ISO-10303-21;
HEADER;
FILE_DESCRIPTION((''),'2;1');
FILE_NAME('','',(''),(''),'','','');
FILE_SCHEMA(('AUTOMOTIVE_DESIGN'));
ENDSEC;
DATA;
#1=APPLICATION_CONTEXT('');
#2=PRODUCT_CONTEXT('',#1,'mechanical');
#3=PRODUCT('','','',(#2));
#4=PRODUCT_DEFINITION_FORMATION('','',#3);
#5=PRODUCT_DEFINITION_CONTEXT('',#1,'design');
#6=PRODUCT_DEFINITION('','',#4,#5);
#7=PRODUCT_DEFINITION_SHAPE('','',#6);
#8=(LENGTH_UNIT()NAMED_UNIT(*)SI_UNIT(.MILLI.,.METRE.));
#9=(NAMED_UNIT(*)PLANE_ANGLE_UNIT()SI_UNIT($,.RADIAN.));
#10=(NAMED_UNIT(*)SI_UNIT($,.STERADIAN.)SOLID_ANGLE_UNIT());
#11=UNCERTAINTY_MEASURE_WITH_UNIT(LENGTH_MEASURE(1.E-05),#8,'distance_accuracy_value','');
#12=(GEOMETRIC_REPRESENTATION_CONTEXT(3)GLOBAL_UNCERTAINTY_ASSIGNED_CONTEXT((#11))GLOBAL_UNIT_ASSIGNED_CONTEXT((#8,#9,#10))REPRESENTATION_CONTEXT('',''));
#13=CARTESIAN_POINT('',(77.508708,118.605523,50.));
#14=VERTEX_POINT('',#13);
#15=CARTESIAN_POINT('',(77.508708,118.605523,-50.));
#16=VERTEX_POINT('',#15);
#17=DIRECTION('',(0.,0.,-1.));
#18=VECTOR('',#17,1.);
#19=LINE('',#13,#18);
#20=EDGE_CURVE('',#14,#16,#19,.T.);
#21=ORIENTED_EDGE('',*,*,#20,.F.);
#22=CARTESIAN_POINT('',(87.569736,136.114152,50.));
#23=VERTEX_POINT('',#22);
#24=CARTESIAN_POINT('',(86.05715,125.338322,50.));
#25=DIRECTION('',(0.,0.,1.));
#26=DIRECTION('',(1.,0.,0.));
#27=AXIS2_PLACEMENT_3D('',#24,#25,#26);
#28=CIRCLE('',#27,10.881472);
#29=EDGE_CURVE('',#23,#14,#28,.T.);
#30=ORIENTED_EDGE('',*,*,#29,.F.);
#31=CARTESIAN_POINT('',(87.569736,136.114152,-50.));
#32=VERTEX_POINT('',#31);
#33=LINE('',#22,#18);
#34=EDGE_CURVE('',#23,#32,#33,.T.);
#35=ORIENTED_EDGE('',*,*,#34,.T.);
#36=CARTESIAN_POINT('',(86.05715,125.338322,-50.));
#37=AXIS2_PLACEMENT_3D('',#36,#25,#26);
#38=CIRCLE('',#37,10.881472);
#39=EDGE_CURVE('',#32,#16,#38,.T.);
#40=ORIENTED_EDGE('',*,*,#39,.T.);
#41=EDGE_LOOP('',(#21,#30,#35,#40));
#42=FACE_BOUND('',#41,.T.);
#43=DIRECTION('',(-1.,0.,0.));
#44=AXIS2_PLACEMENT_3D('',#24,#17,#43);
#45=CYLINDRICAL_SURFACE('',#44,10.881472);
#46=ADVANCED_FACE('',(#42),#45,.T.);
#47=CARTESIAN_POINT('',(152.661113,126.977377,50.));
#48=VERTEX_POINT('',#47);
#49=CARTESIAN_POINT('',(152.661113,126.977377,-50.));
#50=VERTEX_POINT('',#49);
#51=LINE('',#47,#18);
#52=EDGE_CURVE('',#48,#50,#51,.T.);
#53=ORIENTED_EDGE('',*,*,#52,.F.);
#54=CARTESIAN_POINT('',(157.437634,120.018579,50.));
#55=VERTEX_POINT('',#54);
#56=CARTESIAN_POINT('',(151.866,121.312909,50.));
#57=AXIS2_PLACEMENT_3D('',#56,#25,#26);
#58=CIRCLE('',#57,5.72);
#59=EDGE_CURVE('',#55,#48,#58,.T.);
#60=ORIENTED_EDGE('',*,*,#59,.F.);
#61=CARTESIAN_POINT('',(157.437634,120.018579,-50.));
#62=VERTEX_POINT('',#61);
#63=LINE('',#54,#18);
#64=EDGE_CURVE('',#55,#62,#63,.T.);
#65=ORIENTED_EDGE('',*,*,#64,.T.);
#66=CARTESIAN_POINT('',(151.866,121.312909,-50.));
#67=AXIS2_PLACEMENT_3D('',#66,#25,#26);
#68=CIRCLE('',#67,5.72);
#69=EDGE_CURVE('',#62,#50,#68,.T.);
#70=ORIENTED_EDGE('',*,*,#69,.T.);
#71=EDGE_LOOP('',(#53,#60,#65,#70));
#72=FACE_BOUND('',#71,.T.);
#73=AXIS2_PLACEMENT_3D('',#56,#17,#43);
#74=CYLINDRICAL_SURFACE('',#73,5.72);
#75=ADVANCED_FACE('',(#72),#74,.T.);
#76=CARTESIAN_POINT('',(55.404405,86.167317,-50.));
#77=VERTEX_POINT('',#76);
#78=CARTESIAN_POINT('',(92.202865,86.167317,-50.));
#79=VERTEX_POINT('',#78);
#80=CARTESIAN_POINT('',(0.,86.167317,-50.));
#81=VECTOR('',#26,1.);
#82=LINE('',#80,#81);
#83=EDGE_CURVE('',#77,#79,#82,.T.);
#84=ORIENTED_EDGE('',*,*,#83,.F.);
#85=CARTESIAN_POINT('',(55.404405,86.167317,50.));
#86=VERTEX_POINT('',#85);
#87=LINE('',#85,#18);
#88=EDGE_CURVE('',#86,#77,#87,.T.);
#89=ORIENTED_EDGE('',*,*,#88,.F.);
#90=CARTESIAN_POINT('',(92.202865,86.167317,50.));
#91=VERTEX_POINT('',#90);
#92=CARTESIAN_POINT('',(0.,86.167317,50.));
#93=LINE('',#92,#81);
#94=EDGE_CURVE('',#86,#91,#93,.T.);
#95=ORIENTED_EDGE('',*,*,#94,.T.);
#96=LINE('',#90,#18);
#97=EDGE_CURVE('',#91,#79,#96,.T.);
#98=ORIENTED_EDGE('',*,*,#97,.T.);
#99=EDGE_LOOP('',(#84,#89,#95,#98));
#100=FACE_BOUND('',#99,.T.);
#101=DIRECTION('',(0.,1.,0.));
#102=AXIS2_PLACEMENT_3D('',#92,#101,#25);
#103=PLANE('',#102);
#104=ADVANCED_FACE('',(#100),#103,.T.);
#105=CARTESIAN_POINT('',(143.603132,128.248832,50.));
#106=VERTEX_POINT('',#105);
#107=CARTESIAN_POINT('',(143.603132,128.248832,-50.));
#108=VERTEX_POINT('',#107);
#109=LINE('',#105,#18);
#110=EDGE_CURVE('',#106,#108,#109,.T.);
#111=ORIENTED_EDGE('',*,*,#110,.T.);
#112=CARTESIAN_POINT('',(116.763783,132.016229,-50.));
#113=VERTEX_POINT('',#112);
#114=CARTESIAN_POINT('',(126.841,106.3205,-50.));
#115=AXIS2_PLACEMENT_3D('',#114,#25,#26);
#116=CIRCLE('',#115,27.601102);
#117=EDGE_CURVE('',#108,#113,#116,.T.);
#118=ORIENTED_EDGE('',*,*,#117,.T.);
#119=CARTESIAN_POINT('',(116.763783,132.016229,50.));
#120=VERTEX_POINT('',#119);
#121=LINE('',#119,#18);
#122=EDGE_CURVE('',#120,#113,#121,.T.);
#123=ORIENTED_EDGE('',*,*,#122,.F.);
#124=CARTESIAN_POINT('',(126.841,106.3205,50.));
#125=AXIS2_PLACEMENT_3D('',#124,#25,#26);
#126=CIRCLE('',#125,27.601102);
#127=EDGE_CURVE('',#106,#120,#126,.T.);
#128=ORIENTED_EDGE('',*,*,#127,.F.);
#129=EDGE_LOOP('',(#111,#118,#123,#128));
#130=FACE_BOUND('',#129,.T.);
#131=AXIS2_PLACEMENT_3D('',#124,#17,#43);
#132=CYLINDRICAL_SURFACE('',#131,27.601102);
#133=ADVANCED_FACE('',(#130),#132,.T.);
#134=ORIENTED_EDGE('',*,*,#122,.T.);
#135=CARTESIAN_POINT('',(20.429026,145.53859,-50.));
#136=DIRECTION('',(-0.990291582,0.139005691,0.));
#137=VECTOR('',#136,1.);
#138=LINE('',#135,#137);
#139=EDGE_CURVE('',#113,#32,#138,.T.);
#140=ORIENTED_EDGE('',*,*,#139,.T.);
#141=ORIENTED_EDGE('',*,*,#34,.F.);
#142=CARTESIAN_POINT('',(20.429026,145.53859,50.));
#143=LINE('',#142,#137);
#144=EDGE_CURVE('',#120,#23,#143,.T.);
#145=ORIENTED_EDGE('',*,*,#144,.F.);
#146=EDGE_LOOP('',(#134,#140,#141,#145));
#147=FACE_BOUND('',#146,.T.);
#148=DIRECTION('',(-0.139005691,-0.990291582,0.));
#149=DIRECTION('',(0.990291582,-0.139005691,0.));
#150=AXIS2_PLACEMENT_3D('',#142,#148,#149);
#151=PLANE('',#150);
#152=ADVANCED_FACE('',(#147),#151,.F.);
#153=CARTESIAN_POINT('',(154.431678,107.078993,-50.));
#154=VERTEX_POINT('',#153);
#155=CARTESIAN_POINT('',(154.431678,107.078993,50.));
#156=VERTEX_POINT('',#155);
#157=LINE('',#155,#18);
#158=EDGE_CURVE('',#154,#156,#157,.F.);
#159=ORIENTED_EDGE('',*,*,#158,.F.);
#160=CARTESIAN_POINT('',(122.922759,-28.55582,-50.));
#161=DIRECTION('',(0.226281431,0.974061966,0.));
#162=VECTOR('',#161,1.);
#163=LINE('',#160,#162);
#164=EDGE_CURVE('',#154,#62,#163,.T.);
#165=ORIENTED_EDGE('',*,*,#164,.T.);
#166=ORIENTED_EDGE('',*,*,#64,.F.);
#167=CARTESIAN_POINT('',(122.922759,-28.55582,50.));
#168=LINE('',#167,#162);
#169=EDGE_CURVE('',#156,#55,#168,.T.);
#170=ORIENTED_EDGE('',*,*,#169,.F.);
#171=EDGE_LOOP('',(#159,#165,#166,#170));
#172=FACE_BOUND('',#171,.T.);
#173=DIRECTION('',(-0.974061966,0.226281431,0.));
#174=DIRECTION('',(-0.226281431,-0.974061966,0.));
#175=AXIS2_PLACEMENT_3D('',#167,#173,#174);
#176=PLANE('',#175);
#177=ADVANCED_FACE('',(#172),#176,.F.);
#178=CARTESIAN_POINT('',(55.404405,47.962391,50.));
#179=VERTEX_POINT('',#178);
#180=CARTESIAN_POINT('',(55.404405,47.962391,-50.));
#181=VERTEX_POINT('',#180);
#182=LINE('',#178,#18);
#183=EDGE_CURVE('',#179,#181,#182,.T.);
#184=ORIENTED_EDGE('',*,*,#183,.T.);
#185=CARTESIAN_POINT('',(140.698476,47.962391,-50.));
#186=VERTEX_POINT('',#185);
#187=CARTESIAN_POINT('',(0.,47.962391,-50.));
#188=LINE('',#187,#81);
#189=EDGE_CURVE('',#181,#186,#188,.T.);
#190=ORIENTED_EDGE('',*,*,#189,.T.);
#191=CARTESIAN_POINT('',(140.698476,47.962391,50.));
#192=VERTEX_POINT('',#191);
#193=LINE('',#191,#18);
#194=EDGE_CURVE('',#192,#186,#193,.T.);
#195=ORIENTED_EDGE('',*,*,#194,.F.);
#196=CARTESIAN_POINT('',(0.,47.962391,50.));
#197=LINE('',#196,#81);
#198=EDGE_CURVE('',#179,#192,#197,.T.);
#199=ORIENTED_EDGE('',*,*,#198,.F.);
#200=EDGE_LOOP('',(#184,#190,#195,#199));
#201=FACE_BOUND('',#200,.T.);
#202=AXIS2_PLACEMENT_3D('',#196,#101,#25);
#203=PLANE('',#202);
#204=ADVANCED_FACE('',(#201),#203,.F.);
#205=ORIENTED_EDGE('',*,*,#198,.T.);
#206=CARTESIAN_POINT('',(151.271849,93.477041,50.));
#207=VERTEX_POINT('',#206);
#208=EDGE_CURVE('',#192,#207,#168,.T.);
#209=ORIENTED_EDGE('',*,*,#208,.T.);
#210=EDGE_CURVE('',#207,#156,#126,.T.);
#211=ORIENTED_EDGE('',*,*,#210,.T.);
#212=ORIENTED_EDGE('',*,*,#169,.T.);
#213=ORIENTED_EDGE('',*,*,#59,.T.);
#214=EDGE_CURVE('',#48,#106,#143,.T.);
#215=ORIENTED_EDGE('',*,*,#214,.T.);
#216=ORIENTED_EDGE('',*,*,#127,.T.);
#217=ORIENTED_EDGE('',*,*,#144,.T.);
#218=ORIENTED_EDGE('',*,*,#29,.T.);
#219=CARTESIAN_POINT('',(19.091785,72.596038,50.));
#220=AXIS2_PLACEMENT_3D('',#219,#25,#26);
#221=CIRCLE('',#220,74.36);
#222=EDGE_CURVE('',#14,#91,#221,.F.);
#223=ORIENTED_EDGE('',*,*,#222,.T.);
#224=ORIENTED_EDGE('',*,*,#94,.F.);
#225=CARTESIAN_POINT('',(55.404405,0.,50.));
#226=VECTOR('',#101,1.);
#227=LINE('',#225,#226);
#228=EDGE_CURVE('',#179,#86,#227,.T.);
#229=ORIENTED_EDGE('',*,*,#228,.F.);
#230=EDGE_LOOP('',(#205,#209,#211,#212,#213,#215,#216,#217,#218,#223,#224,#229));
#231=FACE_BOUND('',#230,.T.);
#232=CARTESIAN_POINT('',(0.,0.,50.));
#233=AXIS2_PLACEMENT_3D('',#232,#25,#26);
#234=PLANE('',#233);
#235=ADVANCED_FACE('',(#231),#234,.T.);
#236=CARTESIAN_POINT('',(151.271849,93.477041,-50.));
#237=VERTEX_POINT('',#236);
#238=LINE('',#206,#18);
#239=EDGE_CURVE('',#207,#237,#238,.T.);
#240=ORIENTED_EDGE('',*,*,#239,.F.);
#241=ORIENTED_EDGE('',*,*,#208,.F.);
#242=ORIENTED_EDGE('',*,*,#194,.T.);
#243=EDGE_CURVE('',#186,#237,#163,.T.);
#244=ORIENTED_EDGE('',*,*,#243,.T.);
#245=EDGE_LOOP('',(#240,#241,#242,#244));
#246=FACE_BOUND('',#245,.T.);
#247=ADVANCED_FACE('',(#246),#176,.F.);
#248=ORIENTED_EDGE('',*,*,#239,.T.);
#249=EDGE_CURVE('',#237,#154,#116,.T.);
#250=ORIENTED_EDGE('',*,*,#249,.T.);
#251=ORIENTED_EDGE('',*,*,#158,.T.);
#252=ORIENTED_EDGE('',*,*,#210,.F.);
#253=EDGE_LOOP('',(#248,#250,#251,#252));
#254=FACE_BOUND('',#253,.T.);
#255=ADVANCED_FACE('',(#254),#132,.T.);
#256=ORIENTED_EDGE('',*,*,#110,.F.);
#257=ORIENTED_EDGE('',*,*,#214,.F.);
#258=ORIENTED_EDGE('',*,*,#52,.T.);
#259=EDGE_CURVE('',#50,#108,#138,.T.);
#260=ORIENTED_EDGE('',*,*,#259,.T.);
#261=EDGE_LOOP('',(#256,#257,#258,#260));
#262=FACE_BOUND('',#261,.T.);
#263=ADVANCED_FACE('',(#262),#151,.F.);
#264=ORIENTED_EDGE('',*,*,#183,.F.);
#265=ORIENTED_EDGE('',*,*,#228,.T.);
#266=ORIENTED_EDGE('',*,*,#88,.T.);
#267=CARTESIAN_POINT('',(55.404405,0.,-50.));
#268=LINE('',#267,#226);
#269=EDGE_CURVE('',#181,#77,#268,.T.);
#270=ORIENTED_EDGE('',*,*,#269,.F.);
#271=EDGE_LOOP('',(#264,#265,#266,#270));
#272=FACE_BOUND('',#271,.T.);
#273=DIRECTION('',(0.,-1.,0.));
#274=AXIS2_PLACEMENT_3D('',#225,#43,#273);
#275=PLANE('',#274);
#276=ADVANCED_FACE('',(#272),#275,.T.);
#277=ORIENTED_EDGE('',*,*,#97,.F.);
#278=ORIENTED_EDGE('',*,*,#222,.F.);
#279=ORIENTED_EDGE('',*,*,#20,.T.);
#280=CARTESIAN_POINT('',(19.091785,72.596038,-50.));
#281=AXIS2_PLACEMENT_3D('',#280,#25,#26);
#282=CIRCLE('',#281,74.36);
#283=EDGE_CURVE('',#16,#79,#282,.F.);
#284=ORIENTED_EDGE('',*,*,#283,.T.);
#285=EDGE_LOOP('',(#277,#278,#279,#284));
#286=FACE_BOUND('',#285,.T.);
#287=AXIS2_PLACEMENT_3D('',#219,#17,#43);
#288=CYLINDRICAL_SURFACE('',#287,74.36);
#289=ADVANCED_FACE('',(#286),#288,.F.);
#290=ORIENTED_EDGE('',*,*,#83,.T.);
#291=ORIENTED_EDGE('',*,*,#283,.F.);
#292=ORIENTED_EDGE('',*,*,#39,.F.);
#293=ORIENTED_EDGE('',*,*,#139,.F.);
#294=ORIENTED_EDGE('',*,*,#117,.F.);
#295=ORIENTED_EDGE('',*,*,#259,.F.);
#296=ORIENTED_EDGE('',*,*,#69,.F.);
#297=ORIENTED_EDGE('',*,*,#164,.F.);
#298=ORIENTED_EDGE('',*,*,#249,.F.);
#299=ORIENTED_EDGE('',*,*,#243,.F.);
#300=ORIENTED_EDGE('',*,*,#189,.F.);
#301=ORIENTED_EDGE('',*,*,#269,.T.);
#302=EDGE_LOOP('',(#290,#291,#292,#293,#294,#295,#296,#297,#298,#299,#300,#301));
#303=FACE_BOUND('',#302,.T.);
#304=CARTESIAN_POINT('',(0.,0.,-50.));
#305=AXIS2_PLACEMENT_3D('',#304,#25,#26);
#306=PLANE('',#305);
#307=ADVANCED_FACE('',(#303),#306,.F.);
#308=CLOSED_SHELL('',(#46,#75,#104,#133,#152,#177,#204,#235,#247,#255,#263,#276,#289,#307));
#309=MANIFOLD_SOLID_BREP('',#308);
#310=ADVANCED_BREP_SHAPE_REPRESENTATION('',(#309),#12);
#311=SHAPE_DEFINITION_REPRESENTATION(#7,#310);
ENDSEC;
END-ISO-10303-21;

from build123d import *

# Parameters (mm, degrees)
SKETCH_1_R                     = 27.60110162
EXTRUDE_1_DEPTH                = 50
SPLIT_BODIES_1_SURFACE_1_BACK  = 232.061
SPLIT_BODIES_1_SURFACE_1_DEPTH = 464.122
SPLIT_BODIES_1_SURFACE_2_BACK  = 232.061
SPLIT_BODIES_1_SURFACE_2_DEPTH = 464.122


with BuildPart() as part:
    # 草图1 → 凸台-拉伸1 (new, symmetric)
    with BuildSketch(Plane.XY):
        with Locations((126.841, 106.3205)):
            Circle(SKETCH_1_R)
        with BuildLine():
            Line((0, 29.556947787), (33.841128496, 29.556947787))
            Line((33.841128496, 29.556947787), (55.404404979, 43.133825573))
            Line((55.404404979, 43.133825573), (55.404404979, 86.167316842))
            Line((55.404404979, 86.167316842), (92.202864513, 86.167316842))
            ThreePointArc((92.202864513, 86.167316842), (86.826289789, 103.279036613), (77.508707697, 118.605522617))
            ThreePointArc((77.508707697, 118.605522617), (76.622434757, 130.759815978), (87.569736188, 136.114152372))
            Line((87.569736188, 136.114152372), (152.661112554, 126.977376967))
            ThreePointArc((152.661112554, 126.977376967), (156.581939246, 124.549931981), (157.437634447, 120.018579331))
            Line((157.437634447, 120.018579331), (140.698476255, 47.962391292))
            Line((140.698476255, 47.962391292), (125.156200351, 47.962391292))
            Line((125.156200351, 47.962391292), (116.770080258, 26.493923855))
            Line((116.770080258, 26.493923855), (133.542320443, 26.493923855))
            Line((133.542320443, 26.493923855), (144.001, 0))
            Line((144.001, 0), (0, 0))
            Line((0, 0), (0, 29.556947787))
        make_face()
    extrude(amount=EXTRUDE_1_DEPTH, both=True)


with BuildPart() as body_2:
    # Split Bodies 1: the piece behind the surface
    add(part.part)
    # Split Bodies 1 surface: a surface, the sketch's curves swept straight by 464.122 mm
    with BuildLine(Plane.XY.offset(50).offset(-SPLIT_BODIES_1_SURFACE_1_BACK), mode=Mode.PRIVATE) as split_bodies_1_surface_1_path:
        Line((125.156200351, 47.962391292), (37.921543342, 47.962391292))
    split_bodies_1_surface_1 = Shell.extrude(split_bodies_1_surface_1_path.wire(), (0 * SPLIT_BODIES_1_SURFACE_1_DEPTH, 0 * SPLIT_BODIES_1_SURFACE_1_DEPTH, 1 * SPLIT_BODIES_1_SURFACE_1_DEPTH))
    split(bisect_by=split_bodies_1_surface_1, keep=Keep.BOTTOM)


with BuildPart() as part_1:
    add(part.part)

    # Split Bodies 1: split by a surface, the side it looks to stays
    # Split Bodies 1 surface: a surface, the sketch's curves swept straight by 464.122 mm
    with BuildLine(Plane.XY.offset(50).offset(-SPLIT_BODIES_1_SURFACE_2_BACK), mode=Mode.PRIVATE) as split_bodies_1_surface_2_path:
        Line((125.156200351, 47.962391292), (37.921543342, 47.962391292))
    split_bodies_1_surface_2 = Shell.extrude(split_bodies_1_surface_2_path.wire(), (0 * SPLIT_BODIES_1_SURFACE_2_DEPTH, 0 * SPLIT_BODIES_1_SURFACE_2_DEPTH, 1 * SPLIT_BODIES_1_SURFACE_2_DEPTH))
    split(bisect_by=split_bodies_1_surface_2, keep=Keep.TOP)


solid = body_2.part
